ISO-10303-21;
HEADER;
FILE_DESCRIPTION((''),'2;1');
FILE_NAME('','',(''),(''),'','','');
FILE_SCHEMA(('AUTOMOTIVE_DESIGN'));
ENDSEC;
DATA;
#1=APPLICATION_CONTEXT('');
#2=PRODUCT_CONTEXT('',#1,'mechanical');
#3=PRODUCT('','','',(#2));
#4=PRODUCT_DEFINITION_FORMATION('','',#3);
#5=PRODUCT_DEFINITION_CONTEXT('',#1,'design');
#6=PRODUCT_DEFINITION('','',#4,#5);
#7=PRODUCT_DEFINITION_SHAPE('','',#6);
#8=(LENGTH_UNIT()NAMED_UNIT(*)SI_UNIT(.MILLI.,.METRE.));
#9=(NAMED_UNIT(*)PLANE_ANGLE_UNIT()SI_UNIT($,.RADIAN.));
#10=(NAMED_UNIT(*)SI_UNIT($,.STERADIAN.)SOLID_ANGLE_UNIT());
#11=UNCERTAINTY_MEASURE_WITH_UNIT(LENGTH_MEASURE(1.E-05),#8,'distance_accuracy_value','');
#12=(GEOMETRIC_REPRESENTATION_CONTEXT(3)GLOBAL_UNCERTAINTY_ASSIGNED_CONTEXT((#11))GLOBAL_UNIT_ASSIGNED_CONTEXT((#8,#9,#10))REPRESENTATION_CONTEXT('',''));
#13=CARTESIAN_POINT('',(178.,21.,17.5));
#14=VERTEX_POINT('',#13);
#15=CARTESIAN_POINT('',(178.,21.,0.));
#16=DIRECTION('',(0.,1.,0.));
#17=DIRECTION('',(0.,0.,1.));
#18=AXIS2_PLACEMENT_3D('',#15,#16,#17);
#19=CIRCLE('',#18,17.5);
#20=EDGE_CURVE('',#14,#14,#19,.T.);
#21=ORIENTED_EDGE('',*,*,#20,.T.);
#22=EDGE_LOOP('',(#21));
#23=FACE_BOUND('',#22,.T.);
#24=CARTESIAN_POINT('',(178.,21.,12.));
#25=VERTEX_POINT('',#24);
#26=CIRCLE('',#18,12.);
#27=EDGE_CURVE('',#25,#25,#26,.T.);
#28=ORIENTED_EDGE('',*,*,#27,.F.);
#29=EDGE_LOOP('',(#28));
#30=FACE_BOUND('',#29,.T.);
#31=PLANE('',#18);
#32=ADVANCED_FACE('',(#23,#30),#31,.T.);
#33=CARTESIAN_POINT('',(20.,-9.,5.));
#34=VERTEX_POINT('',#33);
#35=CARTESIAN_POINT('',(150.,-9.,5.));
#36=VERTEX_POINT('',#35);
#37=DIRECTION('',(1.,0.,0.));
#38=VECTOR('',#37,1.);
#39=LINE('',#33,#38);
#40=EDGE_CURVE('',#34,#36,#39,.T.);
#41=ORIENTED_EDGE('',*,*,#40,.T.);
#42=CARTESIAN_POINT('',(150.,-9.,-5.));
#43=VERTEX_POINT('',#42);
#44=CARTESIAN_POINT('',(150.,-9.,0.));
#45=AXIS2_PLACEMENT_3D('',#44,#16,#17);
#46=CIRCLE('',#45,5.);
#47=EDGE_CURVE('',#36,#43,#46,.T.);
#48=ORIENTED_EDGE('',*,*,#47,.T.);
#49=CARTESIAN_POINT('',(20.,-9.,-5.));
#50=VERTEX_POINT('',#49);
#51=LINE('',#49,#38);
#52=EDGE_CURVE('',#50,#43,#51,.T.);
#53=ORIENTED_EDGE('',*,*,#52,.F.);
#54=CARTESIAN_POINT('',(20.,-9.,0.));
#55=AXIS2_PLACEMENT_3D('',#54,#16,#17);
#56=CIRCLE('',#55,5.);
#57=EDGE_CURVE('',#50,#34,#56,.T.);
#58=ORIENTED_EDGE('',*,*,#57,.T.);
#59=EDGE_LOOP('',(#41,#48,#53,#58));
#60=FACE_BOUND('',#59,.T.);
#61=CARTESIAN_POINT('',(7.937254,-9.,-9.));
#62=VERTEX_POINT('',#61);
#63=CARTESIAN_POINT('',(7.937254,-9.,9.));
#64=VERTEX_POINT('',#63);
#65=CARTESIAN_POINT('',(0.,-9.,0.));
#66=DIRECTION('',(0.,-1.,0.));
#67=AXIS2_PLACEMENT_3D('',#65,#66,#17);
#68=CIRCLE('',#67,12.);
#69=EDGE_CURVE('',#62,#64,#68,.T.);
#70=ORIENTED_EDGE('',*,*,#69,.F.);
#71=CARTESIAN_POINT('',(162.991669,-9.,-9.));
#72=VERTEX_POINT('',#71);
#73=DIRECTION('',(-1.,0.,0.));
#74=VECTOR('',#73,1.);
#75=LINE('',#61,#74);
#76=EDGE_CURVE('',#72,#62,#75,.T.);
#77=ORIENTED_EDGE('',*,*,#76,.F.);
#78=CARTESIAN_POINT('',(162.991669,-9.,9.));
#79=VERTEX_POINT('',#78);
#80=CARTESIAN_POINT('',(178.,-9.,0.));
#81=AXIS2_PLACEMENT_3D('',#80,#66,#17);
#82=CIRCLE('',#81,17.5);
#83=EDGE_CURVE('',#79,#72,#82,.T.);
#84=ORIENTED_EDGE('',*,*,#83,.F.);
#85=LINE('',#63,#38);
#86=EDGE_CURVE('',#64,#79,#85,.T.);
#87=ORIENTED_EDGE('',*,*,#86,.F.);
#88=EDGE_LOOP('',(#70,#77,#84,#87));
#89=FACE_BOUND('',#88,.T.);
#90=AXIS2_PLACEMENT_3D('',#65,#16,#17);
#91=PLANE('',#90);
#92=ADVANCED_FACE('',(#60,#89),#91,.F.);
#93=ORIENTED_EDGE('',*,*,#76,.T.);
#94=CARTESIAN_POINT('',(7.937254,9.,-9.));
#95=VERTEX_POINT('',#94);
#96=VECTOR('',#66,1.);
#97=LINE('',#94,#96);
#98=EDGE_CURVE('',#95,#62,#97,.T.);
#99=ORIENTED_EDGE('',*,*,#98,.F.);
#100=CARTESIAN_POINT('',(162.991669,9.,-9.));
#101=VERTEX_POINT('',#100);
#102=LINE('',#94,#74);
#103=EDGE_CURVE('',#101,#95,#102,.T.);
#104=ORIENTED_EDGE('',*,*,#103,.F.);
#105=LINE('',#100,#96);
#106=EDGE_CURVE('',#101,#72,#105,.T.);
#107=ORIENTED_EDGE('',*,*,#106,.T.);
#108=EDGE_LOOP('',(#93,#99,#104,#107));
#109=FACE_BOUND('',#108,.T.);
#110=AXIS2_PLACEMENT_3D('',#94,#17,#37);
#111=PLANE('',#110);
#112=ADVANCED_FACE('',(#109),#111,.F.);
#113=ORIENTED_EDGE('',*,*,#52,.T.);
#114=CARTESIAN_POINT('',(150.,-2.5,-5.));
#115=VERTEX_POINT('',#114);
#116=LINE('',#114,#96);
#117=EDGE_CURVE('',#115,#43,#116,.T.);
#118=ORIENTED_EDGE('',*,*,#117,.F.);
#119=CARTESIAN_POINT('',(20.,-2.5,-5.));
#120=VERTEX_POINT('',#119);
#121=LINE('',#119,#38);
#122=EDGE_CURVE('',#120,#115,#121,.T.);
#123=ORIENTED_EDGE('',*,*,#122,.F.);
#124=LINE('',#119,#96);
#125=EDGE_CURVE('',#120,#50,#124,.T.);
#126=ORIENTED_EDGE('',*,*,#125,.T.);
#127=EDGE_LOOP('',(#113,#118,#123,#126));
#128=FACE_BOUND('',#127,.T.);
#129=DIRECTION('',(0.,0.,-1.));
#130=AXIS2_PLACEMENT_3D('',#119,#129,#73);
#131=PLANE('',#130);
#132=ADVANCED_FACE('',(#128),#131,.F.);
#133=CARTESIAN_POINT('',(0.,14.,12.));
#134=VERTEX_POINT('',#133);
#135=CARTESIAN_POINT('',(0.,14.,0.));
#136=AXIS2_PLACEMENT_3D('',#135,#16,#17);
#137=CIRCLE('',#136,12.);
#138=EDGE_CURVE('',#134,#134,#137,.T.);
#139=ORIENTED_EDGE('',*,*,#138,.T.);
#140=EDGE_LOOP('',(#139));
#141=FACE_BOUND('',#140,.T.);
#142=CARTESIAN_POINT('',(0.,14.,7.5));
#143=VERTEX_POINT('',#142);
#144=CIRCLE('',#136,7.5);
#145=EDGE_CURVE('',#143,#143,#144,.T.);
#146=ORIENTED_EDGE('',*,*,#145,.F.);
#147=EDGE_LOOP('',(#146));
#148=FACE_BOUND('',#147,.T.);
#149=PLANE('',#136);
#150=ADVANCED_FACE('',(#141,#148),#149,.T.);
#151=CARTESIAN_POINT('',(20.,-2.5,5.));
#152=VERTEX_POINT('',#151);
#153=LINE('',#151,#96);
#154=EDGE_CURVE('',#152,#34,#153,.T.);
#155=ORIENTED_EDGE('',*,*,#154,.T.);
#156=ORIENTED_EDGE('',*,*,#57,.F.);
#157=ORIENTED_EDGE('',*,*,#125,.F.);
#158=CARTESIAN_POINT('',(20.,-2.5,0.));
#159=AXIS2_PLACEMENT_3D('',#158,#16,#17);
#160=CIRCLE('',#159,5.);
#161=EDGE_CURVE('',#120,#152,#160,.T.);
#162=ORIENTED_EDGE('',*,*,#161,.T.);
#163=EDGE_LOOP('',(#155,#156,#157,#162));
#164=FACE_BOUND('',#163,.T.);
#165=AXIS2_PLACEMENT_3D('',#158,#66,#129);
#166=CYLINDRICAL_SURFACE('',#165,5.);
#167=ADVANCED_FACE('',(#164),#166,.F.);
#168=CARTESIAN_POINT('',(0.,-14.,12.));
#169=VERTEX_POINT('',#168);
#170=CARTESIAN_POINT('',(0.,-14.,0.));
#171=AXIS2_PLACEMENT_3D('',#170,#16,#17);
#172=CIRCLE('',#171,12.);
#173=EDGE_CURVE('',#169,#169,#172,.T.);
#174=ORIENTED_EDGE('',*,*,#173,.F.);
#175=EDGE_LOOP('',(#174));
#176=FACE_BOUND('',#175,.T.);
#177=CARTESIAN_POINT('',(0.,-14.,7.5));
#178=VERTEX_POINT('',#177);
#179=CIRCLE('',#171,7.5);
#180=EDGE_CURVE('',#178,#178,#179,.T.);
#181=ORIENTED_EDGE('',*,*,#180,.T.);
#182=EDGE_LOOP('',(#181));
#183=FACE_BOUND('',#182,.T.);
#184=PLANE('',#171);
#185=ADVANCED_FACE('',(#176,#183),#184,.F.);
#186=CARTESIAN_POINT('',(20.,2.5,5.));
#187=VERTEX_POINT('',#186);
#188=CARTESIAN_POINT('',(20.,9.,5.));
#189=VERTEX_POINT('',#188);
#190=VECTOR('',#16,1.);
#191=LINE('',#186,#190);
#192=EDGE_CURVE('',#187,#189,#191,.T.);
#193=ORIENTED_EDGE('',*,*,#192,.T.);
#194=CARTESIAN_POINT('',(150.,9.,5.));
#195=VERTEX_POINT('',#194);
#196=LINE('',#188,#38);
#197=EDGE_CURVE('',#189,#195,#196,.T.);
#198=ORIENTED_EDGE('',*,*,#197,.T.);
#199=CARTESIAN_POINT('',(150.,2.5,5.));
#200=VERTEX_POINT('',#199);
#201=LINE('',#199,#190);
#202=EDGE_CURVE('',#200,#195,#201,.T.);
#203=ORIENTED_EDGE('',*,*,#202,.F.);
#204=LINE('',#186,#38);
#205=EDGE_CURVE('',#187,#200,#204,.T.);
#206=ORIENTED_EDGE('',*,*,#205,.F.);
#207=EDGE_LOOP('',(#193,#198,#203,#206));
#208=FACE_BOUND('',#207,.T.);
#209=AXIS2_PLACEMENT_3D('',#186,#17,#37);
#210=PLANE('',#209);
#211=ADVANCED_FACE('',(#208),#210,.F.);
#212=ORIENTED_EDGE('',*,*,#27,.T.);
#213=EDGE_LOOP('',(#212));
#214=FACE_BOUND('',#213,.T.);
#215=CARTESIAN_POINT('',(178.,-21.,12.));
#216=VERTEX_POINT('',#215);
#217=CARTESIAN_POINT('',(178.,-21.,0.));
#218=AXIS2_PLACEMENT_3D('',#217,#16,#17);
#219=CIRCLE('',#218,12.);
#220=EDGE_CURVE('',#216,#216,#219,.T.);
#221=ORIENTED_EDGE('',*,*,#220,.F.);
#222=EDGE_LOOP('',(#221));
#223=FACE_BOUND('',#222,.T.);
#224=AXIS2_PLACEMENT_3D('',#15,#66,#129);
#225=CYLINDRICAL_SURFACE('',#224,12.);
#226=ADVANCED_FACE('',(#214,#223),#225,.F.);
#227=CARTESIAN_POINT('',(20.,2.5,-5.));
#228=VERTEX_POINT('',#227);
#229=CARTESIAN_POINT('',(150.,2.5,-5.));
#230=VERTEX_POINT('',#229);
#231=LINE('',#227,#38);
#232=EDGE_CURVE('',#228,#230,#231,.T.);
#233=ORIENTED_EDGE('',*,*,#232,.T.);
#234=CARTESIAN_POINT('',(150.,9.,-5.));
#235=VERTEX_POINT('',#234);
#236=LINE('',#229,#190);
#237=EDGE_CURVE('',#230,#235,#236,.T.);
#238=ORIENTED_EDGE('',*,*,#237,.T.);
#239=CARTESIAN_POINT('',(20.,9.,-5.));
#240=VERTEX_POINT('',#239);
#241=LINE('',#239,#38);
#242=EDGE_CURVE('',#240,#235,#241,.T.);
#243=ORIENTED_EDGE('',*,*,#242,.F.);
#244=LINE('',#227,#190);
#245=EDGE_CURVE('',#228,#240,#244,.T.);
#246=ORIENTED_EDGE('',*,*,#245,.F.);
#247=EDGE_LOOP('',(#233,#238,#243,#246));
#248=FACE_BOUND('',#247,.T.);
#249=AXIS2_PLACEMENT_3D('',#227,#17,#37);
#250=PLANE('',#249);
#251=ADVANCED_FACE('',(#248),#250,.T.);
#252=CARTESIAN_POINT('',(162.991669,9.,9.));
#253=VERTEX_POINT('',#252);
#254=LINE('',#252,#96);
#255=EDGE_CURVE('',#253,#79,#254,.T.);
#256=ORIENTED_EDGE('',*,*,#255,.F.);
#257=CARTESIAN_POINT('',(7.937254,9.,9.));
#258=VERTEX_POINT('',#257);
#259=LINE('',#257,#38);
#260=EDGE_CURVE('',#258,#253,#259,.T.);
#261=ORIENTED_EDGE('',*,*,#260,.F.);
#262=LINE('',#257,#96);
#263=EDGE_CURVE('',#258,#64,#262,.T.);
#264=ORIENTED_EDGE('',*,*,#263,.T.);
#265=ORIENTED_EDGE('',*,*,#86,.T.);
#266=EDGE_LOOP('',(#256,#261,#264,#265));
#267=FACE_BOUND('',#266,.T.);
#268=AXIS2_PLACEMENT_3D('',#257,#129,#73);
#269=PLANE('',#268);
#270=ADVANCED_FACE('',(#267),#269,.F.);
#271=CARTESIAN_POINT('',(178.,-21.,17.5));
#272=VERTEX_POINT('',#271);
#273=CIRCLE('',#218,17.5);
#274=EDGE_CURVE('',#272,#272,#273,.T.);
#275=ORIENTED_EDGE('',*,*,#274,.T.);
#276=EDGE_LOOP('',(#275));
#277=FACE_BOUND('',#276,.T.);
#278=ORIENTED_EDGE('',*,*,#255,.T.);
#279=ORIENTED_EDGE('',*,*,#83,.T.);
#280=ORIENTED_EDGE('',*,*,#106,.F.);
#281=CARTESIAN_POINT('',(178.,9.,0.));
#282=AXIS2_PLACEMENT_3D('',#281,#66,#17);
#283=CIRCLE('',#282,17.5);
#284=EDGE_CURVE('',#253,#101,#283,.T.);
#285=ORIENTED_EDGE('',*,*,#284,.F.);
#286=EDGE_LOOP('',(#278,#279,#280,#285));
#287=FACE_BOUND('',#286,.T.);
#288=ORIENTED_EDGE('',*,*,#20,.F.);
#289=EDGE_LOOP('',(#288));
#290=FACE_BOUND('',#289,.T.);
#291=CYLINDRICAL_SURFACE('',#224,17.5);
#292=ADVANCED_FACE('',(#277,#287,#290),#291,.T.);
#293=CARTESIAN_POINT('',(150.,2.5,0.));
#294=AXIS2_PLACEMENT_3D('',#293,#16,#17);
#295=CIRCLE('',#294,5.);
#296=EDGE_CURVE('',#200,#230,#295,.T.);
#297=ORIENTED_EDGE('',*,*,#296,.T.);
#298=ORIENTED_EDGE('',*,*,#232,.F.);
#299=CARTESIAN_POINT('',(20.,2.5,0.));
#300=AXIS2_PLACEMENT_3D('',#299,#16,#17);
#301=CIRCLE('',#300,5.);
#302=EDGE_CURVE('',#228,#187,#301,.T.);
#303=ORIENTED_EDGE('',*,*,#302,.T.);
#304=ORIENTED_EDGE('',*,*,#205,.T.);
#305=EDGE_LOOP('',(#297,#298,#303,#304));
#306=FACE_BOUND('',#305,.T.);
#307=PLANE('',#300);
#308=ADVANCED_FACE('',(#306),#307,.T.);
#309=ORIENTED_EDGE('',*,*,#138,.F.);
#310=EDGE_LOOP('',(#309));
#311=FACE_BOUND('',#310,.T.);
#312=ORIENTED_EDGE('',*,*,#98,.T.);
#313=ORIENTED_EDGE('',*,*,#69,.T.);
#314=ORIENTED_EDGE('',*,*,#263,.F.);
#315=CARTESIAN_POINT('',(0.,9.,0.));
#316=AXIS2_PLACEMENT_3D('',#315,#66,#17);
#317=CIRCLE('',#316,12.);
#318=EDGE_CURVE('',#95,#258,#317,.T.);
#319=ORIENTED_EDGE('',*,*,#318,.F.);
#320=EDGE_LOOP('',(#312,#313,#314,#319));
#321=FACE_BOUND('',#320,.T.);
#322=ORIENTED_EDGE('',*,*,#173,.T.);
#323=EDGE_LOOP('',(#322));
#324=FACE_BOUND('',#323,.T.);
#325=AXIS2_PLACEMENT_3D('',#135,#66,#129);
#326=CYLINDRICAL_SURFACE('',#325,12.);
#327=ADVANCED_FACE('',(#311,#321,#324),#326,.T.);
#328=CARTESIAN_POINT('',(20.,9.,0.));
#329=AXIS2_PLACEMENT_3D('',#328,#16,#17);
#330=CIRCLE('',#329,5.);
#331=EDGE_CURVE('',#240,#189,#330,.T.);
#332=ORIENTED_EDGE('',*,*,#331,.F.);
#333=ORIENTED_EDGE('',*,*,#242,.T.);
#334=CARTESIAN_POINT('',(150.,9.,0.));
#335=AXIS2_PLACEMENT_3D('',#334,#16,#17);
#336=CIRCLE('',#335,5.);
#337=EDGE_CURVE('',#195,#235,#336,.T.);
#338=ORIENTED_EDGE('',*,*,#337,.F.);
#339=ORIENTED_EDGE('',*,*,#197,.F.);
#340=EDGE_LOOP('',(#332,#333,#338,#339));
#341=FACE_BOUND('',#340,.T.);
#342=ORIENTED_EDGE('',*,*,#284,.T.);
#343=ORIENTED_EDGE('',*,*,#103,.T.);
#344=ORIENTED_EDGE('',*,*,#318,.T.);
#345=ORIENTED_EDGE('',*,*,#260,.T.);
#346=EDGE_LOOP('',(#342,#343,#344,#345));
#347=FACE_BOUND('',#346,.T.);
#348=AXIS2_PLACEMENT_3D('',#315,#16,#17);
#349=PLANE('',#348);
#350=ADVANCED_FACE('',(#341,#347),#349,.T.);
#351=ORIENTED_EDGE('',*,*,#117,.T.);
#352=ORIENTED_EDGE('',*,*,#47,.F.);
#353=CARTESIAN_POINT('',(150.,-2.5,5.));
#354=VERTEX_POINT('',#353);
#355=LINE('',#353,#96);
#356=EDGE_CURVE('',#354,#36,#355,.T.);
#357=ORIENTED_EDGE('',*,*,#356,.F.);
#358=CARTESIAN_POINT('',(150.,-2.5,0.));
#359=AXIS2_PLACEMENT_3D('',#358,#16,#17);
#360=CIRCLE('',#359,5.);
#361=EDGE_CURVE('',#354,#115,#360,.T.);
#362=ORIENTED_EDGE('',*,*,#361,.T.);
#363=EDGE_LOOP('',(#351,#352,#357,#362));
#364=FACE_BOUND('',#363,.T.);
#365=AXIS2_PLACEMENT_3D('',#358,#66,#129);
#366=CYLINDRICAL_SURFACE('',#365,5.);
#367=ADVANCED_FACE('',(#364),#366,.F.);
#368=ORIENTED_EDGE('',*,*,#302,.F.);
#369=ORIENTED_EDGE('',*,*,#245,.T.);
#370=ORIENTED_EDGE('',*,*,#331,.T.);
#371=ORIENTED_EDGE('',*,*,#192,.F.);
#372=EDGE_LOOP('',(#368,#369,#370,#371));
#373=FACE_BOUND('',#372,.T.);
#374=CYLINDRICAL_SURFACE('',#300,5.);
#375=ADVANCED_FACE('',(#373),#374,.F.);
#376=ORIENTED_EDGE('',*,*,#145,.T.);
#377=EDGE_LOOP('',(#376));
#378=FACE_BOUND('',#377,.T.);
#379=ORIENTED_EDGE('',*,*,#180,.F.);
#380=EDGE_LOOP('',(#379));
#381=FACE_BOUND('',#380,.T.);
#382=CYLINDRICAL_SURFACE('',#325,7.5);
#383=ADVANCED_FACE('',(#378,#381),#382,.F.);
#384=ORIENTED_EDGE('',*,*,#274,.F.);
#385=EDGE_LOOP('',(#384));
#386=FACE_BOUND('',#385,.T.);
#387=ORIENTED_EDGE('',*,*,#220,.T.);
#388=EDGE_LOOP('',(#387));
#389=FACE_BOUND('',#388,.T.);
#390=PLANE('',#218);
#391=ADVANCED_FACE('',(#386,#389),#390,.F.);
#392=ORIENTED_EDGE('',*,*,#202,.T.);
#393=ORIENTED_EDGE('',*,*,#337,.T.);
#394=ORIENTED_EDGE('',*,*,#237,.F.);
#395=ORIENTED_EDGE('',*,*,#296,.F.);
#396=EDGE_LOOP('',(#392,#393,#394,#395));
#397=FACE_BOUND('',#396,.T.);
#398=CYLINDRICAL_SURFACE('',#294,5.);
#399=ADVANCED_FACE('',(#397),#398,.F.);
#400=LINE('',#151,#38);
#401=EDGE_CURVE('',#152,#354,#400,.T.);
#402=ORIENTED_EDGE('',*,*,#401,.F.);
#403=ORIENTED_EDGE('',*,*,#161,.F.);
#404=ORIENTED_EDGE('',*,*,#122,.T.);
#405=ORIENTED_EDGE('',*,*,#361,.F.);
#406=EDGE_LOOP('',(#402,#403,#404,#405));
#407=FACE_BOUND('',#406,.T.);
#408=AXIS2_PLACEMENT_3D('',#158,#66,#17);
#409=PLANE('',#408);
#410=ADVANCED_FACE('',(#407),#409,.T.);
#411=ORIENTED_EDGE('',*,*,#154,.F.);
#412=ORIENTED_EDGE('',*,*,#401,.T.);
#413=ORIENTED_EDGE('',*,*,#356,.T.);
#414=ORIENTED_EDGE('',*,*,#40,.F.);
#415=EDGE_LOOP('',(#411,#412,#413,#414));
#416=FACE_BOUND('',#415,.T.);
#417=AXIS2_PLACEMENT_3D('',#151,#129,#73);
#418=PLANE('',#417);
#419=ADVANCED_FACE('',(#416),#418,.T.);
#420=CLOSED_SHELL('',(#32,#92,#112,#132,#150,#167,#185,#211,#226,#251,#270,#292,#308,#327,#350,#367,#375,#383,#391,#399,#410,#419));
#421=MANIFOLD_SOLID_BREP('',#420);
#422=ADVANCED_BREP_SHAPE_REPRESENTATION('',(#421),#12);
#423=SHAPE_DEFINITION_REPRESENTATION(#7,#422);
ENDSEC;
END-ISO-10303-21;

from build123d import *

# Parameters (mm, degrees)
SKETCH1_R           = 12
SKETCH1_R_2         = 7.5
BOSS_EXTRUDE1_DEPTH = 14
SKETCH6_R           = 17.5
SKETCH6_R_2         = 12
BOSS_EXTRUDE4_DEPTH = 21
BOSS_EXTRUDE5_DEPTH = 9
CUT_EXTRUDE4_DEPTH  = 6.5


with BuildPart() as part:
    # Sketch1 → Boss-Extrude1 (new body, symmetric)
    with BuildSketch(Plane(origin=(0, 0, 0), x_dir=(1, 0, 0), z_dir=(0, 1, 0))):
        Circle(SKETCH1_R)
        Circle(SKETCH1_R_2, mode=Mode.SUBTRACT)
    extrude(amount=BOSS_EXTRUDE1_DEPTH, both=True)



with BuildPart() as body_2:
    # Sketch6 → Boss-Extrude4 (new body, symmetric)
    with BuildSketch(Plane(origin=(0, 0, 0), x_dir=(1, 0, 0), z_dir=(0, 1, 0))):
        with Locations((178, 0)):
            Circle(SKETCH6_R)
        with Locations((178, 0)):
            Circle(SKETCH6_R_2, mode=Mode.SUBTRACT)
    extrude(amount=BOSS_EXTRUDE4_DEPTH, both=True)


with BuildPart() as part_1:
    add(part.part)

    add(body_2.part)  # Boss-Extrude5 merges body 2
    # Sketch14 → Boss-Extrude5 (add, symmetric)
    with BuildSketch(Plane(origin=(0, 0, 0), x_dir=(1, 0, 0), z_dir=(0, 1, 0))):
        with BuildLine():
            Line((7.937253933, -9), (162.99166898, -9))
            ThreePointArc((162.99166898, -9), (160.5, 0), (162.99166898, 9))
            Line((162.99166898, 9), (7.937253933, 9))
            ThreePointArc((7.937253933, 9), (12, 0), (7.937253933, -9))
        make_face()
    extrude(amount=BOSS_EXTRUDE5_DEPTH, both=True)

    # Sketch16 → Cut-Extrude4 (cut)
    with BuildSketch(Plane(origin=(0, 9, 0), x_dir=(1, 0, 0), z_dir=(0, 1, 0))):
        with BuildLine():
            Line((20, 5), (150, 5))
            ThreePointArc((150, 5), (155, 0), (150, -5))
            Line((150, -5), (20, -5))
            ThreePointArc((20, -5), (15, 0), (20, 5))
        make_face()
    cut_extrude4 = extrude(amount=-CUT_EXTRUDE4_DEPTH, mode=Mode.SUBTRACT)

    # Mirror1: Cut-Extrude4 across plane
    add(cut_extrude4.mirror(Plane.ZX), mode=Mode.SUBTRACT)


solid = part_1.part
